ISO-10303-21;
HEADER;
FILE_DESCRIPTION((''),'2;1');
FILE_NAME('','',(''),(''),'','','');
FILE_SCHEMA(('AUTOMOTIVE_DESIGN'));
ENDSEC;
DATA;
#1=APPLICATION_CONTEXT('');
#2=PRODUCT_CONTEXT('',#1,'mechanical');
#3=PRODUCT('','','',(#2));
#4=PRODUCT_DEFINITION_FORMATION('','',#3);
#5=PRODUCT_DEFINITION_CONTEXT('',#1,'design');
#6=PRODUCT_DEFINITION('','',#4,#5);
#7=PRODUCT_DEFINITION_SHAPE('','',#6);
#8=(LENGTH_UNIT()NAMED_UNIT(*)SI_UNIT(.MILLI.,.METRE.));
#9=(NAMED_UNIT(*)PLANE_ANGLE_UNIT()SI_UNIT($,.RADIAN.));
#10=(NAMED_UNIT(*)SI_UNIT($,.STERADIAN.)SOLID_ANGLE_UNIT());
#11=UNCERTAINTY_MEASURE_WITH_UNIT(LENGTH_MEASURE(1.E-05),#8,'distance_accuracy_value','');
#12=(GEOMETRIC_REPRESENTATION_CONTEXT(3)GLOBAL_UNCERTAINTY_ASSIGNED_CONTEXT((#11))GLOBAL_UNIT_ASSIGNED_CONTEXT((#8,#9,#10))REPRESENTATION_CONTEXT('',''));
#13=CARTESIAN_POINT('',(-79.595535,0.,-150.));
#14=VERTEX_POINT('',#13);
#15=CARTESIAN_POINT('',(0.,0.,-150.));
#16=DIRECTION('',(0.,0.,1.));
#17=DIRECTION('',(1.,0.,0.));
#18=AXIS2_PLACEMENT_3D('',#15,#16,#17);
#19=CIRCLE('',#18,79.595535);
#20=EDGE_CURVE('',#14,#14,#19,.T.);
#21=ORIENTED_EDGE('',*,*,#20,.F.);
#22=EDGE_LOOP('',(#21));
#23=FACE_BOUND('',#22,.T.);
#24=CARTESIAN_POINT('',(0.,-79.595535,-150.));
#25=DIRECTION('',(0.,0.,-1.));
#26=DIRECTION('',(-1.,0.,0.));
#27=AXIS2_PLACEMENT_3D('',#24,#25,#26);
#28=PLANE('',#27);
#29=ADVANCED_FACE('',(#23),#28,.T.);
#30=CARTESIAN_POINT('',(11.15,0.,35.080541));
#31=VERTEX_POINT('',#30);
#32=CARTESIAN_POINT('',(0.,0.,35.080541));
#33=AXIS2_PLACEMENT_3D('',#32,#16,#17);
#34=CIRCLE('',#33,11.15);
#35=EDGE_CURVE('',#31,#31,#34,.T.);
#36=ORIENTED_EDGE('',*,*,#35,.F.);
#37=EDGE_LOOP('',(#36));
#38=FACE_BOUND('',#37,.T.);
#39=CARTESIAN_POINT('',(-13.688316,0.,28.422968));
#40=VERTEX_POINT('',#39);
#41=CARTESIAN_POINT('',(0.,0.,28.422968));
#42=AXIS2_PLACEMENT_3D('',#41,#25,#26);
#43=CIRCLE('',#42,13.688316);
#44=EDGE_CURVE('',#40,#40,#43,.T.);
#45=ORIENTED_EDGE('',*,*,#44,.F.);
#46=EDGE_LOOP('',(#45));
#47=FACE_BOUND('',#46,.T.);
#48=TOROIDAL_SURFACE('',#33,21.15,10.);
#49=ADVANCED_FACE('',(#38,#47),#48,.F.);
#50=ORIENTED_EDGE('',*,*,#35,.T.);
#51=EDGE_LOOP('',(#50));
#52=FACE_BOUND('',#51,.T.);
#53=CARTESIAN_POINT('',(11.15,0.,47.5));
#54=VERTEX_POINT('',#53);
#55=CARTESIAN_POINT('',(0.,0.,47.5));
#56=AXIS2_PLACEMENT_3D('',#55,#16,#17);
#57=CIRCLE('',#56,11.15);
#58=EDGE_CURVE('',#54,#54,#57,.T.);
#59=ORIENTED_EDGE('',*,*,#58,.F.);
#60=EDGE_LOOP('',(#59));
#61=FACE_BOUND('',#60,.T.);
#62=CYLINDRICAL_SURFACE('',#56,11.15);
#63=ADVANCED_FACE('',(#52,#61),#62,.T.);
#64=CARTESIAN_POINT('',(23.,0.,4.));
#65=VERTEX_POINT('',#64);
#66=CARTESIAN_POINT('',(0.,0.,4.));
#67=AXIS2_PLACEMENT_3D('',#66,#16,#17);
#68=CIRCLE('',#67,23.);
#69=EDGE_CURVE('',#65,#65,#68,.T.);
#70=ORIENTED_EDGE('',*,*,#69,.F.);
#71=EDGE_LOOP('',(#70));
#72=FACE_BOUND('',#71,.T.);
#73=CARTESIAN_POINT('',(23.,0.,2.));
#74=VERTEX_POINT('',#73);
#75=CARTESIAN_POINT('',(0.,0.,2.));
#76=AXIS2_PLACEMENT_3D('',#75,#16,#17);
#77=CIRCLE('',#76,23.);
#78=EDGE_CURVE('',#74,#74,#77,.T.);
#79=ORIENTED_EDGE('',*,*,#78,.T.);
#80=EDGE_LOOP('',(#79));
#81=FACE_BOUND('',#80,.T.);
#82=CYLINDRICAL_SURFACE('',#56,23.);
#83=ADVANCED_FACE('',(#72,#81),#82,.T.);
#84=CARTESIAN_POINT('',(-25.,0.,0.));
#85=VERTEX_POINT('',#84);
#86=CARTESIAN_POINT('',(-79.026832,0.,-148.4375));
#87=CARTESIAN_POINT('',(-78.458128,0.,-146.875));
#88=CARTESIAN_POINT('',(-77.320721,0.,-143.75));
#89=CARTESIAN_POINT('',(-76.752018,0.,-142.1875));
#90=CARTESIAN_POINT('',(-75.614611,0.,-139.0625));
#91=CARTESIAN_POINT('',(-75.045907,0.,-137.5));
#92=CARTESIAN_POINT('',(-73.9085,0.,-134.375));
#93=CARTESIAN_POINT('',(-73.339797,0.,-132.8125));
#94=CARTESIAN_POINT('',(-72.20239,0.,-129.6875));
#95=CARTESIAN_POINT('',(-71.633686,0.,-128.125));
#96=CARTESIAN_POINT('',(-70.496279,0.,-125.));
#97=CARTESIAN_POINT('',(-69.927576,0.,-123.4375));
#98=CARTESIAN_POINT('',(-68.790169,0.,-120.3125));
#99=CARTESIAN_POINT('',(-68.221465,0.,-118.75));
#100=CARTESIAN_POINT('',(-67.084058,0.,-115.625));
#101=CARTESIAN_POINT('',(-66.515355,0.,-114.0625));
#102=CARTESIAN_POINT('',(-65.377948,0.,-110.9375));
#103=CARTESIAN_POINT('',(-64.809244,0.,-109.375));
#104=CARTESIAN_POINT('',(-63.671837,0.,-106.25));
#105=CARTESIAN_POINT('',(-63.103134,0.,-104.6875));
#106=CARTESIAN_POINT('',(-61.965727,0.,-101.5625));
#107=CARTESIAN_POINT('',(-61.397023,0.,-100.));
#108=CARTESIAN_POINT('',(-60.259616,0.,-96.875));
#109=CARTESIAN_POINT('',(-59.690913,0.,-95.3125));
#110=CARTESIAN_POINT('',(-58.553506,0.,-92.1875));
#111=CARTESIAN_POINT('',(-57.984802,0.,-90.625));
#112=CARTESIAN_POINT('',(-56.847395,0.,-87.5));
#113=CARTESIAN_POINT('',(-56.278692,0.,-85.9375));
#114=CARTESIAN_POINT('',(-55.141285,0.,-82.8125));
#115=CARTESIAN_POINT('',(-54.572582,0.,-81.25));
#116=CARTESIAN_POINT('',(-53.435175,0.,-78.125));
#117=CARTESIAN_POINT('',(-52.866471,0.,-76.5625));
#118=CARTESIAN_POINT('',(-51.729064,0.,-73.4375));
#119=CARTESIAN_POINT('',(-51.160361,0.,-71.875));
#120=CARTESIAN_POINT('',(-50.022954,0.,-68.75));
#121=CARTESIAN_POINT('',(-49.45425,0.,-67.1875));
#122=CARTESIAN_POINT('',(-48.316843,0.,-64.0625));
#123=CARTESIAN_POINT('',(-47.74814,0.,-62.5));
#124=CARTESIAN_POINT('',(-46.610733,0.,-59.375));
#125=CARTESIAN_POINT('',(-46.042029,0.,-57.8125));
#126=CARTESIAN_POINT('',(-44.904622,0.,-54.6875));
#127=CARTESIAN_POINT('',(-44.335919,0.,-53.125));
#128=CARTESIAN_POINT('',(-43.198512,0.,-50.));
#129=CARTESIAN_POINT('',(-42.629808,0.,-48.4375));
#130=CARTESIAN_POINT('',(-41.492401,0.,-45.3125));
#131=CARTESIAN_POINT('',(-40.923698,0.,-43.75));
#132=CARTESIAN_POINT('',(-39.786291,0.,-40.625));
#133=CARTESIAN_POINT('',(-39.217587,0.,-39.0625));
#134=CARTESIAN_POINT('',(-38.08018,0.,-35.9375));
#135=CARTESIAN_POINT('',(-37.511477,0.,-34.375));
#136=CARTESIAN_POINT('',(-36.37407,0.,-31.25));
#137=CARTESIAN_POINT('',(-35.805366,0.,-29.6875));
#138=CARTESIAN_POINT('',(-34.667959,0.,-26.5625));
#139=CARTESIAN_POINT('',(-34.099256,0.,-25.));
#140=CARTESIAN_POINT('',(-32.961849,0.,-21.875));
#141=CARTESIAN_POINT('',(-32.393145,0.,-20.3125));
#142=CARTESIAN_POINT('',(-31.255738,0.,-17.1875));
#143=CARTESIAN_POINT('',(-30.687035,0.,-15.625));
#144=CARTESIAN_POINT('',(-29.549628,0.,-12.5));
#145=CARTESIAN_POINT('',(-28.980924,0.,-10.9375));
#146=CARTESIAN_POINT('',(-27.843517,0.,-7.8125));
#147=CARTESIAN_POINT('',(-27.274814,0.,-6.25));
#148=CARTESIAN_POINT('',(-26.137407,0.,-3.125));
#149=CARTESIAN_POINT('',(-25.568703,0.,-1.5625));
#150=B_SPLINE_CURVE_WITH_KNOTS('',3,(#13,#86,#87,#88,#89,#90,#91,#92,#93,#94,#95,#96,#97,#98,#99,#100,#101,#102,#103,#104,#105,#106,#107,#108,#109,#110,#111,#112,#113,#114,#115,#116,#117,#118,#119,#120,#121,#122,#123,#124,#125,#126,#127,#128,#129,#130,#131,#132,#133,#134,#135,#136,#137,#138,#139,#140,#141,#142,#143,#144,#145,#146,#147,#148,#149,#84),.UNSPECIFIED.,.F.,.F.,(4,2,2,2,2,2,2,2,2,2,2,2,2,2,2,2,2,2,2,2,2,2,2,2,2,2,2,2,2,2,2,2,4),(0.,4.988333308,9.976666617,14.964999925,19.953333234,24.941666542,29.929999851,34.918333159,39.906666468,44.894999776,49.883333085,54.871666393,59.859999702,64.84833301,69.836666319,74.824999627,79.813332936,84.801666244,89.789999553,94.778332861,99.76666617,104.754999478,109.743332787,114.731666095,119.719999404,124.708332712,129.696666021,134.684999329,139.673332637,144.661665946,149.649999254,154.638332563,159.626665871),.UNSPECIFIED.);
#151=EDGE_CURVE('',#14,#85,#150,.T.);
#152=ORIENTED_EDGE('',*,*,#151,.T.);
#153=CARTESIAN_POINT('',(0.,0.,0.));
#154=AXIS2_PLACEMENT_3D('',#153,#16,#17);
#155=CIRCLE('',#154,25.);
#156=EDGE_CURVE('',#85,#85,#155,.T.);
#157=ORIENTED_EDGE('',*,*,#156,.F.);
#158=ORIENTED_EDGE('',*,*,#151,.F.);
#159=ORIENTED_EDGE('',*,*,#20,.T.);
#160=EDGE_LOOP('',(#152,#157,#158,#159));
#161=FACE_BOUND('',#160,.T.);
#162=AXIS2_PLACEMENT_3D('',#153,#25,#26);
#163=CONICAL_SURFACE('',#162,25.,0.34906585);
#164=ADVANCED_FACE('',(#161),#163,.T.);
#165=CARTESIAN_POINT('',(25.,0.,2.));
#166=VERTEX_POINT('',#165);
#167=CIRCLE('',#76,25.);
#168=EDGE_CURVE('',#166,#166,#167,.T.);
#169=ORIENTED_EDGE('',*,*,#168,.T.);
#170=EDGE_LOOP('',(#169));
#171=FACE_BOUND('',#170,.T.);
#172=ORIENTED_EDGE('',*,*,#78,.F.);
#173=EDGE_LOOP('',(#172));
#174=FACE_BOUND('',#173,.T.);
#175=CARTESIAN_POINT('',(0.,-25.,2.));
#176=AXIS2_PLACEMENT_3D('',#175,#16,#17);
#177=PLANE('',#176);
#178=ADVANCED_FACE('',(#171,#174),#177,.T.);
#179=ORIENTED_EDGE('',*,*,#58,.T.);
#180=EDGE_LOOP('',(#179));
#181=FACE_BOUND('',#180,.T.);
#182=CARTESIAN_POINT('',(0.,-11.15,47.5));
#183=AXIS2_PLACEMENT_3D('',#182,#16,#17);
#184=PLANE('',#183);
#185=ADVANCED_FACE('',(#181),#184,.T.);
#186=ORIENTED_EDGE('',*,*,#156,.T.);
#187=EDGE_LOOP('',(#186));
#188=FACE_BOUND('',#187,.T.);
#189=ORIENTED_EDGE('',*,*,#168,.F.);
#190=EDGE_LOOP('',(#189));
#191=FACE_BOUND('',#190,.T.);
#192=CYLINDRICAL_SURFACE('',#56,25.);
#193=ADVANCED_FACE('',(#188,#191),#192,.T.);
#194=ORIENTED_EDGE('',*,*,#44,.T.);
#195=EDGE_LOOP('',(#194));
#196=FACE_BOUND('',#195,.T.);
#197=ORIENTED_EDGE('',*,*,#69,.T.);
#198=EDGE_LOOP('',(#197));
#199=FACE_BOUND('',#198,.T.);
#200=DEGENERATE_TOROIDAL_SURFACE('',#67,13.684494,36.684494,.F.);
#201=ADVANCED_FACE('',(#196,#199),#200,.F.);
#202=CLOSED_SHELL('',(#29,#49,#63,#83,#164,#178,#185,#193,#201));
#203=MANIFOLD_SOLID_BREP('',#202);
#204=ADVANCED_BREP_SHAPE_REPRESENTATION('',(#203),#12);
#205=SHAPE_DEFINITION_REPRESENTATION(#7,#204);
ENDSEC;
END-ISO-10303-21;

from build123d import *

# Parameters (mm, degrees)
FILLET1_R = 10


with BuildPart() as part:
    # Sketch1 → Revolve1 (revolve)
    with BuildSketch(Plane.YZ, mode=Mode.PRIVATE) as revolve1_sk:
        with BuildLine():
            Line((0, 0), (-25, 0))
            Line((-25, 0), (-25, 2))
            Line((-25, 2), (-23, 2))
            Line((-23, 2), (-23, 4))
            ThreePointArc((-23, 4), (-19.907119135, 18.74298562), (-11.15, 31))
            Line((-11.15, 31), (-11.15, 47.5))
            Line((-11.15, 47.5), (0, 47.5))
            Line((0, 47.5), (0, 0))
        make_face()
    revolve(revolve1_sk.sketch.rotate(Axis((0, 0, 47.5), (0, 0, -1)), 270), axis=Axis((0, 0, 47.5), (0, 0, -1)))

    # Fillet1
    fillet1_edges = [part.edges().sort_by_distance(p)[0] for p in [
        (-11.15, 0, 31),
    ]]
    fillet(fillet1_edges, radius=FILLET1_R)

    # Sketch2 → Revolve2 (revolve)
    with BuildSketch(Plane.YZ, mode=Mode.PRIVATE) as revolve2_sk:
        Polygon((-25, 0), (-79.59553514, -150), (0, -150), (0, 0), align=None)
    revolve(revolve2_sk.sketch.rotate(Axis((0, 0, 0), (0, 0, -1)), 90), axis=Axis((0, 0, 0), (0, 0, -1)))


solid = part.part
